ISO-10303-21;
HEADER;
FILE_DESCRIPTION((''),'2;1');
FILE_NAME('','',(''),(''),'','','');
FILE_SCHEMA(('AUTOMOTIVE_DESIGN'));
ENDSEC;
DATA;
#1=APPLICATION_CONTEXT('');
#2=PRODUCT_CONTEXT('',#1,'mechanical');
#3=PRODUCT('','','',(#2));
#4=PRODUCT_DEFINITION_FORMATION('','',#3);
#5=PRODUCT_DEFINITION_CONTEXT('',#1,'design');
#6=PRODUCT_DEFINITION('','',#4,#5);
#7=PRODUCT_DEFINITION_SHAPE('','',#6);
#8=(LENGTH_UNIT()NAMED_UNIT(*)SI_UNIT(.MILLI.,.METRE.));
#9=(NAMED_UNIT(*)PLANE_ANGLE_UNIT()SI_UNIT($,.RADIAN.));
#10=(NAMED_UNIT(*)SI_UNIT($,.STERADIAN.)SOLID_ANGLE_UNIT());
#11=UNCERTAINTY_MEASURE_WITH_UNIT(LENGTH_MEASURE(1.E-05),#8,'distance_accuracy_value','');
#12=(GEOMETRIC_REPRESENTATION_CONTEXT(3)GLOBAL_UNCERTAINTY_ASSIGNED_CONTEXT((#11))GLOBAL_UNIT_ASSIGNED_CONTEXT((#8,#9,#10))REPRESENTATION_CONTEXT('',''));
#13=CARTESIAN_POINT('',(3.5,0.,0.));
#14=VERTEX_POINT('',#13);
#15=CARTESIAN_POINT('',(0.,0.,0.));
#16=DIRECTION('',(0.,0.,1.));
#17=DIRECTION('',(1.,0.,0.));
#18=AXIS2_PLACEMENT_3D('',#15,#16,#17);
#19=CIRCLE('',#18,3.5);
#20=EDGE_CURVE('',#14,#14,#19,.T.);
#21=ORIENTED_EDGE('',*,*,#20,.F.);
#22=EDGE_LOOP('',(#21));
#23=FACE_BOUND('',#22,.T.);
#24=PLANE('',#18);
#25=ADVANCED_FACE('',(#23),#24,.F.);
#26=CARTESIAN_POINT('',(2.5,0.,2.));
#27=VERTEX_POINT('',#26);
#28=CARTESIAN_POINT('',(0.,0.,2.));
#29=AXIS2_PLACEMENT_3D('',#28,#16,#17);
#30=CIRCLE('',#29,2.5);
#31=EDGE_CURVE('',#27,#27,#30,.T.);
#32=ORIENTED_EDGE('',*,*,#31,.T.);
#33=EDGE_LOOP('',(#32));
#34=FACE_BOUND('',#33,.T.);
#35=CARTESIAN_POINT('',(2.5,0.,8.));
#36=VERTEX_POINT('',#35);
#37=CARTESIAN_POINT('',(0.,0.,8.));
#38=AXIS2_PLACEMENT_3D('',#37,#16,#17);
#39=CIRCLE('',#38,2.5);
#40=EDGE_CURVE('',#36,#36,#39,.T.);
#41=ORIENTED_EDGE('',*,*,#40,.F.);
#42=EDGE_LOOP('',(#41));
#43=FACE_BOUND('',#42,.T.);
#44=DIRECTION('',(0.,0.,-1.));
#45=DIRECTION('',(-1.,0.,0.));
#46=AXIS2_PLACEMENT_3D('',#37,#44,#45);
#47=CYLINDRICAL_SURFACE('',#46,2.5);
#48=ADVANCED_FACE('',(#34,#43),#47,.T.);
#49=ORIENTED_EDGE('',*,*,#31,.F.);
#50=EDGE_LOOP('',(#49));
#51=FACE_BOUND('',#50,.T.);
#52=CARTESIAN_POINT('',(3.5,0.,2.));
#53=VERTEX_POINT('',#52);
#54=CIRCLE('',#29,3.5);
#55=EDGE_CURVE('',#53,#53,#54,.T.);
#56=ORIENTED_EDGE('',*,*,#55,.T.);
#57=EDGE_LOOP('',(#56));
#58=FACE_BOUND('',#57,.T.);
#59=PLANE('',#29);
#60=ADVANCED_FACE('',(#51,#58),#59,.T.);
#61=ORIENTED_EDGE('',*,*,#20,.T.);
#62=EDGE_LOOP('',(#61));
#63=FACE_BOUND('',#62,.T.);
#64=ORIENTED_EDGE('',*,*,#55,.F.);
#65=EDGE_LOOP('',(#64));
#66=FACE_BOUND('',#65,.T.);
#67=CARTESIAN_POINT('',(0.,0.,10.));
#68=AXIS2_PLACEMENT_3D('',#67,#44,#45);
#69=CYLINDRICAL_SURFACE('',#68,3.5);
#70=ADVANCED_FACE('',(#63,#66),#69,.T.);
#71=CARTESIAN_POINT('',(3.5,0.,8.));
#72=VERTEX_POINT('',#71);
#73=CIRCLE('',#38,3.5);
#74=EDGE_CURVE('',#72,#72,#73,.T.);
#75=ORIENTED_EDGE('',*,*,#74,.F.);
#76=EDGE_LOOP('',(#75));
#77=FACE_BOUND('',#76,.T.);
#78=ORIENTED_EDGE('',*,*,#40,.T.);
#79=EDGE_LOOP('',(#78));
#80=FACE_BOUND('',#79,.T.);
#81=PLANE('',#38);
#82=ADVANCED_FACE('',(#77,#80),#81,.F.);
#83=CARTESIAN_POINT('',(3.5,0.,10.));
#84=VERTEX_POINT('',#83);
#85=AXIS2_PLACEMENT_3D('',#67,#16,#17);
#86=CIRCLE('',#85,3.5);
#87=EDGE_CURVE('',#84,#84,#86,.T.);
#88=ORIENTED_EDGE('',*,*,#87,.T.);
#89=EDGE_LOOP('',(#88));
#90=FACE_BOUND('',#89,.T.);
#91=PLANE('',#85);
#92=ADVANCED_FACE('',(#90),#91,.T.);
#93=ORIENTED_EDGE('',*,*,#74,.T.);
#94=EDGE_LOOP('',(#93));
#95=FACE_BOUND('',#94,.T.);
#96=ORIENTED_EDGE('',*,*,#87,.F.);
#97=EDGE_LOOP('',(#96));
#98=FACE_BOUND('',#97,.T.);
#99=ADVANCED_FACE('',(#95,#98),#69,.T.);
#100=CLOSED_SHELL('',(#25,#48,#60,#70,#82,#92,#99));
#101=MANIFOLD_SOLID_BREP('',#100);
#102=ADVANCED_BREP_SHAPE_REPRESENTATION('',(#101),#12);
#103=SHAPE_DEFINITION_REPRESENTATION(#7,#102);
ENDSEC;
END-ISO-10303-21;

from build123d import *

# Parameters (mm, degrees)
SKETCH1_R               = 3.5
BOSS_EXTRUDE1_DEPTH     = 10
CUT_EXTRUDE1_DEPTH      = 3
CUT_EXTRUDE1_DEPTH_BACK = 3
CUT_EXTRUDE1_START      = -5
SKETCH2_R               = 3.5
SKETCH2_R_2             = 2.5


with BuildPart() as part:
    # Sketch1 → Boss-Extrude1 (new body)
    with BuildSketch(Plane.XY):
        Circle(SKETCH1_R)
    extrude(amount=BOSS_EXTRUDE1_DEPTH)

    # Sketch2 → Cut-Extrude1 (cut, two sides: drawn at the far end of the back side and taken through both)
    with BuildSketch(Plane.XY.offset(10).offset(CUT_EXTRUDE1_START - CUT_EXTRUDE1_DEPTH_BACK)):
        Circle(SKETCH2_R)
        Circle(SKETCH2_R_2, mode=Mode.SUBTRACT)
    extrude(amount=CUT_EXTRUDE1_DEPTH + CUT_EXTRUDE1_DEPTH_BACK, mode=Mode.SUBTRACT)


solid = part.part
